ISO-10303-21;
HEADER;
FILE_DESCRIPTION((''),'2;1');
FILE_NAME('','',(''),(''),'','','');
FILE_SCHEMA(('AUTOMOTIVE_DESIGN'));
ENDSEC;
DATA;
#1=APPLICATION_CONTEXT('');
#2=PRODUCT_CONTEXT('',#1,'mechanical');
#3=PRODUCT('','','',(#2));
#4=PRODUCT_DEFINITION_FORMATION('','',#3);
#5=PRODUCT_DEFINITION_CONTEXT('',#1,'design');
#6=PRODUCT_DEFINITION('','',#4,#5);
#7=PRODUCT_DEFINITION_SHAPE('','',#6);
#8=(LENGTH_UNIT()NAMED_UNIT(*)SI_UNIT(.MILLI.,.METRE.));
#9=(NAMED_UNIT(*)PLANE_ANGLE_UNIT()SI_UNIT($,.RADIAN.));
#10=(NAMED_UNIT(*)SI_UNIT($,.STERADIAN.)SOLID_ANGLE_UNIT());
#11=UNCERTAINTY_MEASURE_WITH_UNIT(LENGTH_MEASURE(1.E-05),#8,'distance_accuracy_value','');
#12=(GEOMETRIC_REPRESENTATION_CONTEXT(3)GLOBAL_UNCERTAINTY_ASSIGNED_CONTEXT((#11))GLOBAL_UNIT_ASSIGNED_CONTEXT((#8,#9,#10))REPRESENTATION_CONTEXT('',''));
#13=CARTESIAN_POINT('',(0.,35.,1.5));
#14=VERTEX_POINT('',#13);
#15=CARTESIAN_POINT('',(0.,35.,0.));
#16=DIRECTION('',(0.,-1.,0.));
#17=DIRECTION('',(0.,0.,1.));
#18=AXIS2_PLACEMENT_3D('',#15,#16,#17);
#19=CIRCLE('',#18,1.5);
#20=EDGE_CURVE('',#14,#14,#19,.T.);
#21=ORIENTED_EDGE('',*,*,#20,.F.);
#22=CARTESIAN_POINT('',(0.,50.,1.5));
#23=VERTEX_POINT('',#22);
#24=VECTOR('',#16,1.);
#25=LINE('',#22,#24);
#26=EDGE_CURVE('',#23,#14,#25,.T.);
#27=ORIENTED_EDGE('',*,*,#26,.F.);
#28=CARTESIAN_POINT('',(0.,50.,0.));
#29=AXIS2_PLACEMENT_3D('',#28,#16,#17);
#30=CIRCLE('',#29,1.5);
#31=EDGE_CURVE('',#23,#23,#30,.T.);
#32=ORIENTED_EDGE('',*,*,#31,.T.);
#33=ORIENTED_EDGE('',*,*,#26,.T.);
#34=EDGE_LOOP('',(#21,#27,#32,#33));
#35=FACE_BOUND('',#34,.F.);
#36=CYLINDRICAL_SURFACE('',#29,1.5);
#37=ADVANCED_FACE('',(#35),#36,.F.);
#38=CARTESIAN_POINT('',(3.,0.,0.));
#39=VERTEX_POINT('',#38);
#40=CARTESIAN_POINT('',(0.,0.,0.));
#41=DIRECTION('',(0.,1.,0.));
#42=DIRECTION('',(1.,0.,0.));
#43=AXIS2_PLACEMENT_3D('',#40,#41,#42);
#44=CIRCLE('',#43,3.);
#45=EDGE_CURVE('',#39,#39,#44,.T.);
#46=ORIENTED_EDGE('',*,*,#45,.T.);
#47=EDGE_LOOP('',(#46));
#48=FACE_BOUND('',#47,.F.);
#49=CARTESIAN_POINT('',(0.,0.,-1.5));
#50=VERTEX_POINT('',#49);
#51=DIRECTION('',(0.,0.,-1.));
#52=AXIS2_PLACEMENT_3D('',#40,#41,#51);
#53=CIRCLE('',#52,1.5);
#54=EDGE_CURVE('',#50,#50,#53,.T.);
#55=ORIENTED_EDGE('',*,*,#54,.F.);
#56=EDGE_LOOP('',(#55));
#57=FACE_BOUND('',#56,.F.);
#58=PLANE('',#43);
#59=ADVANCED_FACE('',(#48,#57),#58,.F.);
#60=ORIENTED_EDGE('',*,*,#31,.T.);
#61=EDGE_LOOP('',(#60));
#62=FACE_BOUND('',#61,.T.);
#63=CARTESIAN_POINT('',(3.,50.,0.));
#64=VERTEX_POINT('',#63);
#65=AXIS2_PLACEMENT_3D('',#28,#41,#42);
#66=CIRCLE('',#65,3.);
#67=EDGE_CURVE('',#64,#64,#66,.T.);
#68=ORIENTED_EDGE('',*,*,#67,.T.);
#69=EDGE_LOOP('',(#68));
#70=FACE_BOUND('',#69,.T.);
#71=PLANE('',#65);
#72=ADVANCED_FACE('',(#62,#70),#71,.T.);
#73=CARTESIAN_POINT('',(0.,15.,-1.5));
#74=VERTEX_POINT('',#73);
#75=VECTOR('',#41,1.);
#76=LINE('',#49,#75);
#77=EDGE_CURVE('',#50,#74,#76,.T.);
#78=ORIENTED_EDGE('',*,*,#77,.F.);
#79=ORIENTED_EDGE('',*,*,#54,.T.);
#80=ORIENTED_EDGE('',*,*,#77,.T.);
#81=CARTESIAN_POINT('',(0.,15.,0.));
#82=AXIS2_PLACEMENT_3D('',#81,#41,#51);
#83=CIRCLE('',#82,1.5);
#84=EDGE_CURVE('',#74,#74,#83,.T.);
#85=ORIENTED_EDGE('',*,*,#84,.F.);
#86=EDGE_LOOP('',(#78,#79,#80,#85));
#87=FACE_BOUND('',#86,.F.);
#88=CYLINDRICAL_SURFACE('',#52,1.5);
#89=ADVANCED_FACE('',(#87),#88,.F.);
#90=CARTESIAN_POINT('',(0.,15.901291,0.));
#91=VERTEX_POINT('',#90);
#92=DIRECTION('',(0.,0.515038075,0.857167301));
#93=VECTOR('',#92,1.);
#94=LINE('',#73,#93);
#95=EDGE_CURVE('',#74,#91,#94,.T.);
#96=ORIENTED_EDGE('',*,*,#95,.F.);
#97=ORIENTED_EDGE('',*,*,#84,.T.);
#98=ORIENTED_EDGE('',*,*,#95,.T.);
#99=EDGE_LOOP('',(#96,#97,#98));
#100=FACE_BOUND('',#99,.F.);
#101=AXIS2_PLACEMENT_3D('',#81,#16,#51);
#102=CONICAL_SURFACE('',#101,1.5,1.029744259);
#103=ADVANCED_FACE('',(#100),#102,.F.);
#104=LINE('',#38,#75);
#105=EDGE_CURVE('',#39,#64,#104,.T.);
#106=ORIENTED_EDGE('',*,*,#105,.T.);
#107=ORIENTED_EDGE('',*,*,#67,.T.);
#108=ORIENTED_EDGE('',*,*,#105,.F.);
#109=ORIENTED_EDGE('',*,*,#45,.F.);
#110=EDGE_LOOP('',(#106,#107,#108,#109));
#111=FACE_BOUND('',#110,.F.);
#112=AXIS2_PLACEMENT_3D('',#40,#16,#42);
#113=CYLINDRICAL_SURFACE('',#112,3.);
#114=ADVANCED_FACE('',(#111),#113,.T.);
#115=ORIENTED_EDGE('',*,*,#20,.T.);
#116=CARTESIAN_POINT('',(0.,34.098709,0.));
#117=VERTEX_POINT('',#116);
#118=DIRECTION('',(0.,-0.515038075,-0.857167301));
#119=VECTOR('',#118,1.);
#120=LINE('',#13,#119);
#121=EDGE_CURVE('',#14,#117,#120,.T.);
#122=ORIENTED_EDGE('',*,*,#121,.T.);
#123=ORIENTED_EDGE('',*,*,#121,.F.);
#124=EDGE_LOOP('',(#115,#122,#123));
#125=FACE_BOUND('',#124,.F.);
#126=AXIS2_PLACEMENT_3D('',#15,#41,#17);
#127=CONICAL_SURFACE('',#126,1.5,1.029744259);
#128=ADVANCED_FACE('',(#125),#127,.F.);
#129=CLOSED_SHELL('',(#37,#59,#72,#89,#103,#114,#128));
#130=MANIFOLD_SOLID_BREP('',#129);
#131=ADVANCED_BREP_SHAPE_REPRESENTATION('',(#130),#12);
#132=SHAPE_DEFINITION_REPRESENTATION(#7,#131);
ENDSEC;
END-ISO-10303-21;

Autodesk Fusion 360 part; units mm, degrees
sketch "Boceto1" plane through (0, 0, 0) normal (0, 1, 0) x (1, 0, 0)
  circle A0 centre (0, 0) radius 3
  dimension "d1" = 6
sketch "Boceto3" plane through (0, 0, 0) normal (0, -1, 0) x (1, 0, 0)
  circle A0 centre (0, 0) radius 3
  circle A1 centre (0, 0) radius 1.525
  dimension "d8" = 3.05
extrude "Extruir2" add sketch "Boceto1" along normal blind 50
sketch "Boceto4" plane through (0, 50, 0) normal (0, 1, 0) x (-1, 0, 0)
  circle A0 centre (0, 0) radius 3
  circle A1 centre (0, 0) radius 1.525
  dimension "d14" = 3.05
hole "Agujero3" at (0, 50, 0) direction (0, -1, 0) diameter 3 depth 15 tip angle 118
hole "Agujero4" at (0, 0, 0) direction (0, 1, 0) diameter 3 depth 15 tip angle 118
